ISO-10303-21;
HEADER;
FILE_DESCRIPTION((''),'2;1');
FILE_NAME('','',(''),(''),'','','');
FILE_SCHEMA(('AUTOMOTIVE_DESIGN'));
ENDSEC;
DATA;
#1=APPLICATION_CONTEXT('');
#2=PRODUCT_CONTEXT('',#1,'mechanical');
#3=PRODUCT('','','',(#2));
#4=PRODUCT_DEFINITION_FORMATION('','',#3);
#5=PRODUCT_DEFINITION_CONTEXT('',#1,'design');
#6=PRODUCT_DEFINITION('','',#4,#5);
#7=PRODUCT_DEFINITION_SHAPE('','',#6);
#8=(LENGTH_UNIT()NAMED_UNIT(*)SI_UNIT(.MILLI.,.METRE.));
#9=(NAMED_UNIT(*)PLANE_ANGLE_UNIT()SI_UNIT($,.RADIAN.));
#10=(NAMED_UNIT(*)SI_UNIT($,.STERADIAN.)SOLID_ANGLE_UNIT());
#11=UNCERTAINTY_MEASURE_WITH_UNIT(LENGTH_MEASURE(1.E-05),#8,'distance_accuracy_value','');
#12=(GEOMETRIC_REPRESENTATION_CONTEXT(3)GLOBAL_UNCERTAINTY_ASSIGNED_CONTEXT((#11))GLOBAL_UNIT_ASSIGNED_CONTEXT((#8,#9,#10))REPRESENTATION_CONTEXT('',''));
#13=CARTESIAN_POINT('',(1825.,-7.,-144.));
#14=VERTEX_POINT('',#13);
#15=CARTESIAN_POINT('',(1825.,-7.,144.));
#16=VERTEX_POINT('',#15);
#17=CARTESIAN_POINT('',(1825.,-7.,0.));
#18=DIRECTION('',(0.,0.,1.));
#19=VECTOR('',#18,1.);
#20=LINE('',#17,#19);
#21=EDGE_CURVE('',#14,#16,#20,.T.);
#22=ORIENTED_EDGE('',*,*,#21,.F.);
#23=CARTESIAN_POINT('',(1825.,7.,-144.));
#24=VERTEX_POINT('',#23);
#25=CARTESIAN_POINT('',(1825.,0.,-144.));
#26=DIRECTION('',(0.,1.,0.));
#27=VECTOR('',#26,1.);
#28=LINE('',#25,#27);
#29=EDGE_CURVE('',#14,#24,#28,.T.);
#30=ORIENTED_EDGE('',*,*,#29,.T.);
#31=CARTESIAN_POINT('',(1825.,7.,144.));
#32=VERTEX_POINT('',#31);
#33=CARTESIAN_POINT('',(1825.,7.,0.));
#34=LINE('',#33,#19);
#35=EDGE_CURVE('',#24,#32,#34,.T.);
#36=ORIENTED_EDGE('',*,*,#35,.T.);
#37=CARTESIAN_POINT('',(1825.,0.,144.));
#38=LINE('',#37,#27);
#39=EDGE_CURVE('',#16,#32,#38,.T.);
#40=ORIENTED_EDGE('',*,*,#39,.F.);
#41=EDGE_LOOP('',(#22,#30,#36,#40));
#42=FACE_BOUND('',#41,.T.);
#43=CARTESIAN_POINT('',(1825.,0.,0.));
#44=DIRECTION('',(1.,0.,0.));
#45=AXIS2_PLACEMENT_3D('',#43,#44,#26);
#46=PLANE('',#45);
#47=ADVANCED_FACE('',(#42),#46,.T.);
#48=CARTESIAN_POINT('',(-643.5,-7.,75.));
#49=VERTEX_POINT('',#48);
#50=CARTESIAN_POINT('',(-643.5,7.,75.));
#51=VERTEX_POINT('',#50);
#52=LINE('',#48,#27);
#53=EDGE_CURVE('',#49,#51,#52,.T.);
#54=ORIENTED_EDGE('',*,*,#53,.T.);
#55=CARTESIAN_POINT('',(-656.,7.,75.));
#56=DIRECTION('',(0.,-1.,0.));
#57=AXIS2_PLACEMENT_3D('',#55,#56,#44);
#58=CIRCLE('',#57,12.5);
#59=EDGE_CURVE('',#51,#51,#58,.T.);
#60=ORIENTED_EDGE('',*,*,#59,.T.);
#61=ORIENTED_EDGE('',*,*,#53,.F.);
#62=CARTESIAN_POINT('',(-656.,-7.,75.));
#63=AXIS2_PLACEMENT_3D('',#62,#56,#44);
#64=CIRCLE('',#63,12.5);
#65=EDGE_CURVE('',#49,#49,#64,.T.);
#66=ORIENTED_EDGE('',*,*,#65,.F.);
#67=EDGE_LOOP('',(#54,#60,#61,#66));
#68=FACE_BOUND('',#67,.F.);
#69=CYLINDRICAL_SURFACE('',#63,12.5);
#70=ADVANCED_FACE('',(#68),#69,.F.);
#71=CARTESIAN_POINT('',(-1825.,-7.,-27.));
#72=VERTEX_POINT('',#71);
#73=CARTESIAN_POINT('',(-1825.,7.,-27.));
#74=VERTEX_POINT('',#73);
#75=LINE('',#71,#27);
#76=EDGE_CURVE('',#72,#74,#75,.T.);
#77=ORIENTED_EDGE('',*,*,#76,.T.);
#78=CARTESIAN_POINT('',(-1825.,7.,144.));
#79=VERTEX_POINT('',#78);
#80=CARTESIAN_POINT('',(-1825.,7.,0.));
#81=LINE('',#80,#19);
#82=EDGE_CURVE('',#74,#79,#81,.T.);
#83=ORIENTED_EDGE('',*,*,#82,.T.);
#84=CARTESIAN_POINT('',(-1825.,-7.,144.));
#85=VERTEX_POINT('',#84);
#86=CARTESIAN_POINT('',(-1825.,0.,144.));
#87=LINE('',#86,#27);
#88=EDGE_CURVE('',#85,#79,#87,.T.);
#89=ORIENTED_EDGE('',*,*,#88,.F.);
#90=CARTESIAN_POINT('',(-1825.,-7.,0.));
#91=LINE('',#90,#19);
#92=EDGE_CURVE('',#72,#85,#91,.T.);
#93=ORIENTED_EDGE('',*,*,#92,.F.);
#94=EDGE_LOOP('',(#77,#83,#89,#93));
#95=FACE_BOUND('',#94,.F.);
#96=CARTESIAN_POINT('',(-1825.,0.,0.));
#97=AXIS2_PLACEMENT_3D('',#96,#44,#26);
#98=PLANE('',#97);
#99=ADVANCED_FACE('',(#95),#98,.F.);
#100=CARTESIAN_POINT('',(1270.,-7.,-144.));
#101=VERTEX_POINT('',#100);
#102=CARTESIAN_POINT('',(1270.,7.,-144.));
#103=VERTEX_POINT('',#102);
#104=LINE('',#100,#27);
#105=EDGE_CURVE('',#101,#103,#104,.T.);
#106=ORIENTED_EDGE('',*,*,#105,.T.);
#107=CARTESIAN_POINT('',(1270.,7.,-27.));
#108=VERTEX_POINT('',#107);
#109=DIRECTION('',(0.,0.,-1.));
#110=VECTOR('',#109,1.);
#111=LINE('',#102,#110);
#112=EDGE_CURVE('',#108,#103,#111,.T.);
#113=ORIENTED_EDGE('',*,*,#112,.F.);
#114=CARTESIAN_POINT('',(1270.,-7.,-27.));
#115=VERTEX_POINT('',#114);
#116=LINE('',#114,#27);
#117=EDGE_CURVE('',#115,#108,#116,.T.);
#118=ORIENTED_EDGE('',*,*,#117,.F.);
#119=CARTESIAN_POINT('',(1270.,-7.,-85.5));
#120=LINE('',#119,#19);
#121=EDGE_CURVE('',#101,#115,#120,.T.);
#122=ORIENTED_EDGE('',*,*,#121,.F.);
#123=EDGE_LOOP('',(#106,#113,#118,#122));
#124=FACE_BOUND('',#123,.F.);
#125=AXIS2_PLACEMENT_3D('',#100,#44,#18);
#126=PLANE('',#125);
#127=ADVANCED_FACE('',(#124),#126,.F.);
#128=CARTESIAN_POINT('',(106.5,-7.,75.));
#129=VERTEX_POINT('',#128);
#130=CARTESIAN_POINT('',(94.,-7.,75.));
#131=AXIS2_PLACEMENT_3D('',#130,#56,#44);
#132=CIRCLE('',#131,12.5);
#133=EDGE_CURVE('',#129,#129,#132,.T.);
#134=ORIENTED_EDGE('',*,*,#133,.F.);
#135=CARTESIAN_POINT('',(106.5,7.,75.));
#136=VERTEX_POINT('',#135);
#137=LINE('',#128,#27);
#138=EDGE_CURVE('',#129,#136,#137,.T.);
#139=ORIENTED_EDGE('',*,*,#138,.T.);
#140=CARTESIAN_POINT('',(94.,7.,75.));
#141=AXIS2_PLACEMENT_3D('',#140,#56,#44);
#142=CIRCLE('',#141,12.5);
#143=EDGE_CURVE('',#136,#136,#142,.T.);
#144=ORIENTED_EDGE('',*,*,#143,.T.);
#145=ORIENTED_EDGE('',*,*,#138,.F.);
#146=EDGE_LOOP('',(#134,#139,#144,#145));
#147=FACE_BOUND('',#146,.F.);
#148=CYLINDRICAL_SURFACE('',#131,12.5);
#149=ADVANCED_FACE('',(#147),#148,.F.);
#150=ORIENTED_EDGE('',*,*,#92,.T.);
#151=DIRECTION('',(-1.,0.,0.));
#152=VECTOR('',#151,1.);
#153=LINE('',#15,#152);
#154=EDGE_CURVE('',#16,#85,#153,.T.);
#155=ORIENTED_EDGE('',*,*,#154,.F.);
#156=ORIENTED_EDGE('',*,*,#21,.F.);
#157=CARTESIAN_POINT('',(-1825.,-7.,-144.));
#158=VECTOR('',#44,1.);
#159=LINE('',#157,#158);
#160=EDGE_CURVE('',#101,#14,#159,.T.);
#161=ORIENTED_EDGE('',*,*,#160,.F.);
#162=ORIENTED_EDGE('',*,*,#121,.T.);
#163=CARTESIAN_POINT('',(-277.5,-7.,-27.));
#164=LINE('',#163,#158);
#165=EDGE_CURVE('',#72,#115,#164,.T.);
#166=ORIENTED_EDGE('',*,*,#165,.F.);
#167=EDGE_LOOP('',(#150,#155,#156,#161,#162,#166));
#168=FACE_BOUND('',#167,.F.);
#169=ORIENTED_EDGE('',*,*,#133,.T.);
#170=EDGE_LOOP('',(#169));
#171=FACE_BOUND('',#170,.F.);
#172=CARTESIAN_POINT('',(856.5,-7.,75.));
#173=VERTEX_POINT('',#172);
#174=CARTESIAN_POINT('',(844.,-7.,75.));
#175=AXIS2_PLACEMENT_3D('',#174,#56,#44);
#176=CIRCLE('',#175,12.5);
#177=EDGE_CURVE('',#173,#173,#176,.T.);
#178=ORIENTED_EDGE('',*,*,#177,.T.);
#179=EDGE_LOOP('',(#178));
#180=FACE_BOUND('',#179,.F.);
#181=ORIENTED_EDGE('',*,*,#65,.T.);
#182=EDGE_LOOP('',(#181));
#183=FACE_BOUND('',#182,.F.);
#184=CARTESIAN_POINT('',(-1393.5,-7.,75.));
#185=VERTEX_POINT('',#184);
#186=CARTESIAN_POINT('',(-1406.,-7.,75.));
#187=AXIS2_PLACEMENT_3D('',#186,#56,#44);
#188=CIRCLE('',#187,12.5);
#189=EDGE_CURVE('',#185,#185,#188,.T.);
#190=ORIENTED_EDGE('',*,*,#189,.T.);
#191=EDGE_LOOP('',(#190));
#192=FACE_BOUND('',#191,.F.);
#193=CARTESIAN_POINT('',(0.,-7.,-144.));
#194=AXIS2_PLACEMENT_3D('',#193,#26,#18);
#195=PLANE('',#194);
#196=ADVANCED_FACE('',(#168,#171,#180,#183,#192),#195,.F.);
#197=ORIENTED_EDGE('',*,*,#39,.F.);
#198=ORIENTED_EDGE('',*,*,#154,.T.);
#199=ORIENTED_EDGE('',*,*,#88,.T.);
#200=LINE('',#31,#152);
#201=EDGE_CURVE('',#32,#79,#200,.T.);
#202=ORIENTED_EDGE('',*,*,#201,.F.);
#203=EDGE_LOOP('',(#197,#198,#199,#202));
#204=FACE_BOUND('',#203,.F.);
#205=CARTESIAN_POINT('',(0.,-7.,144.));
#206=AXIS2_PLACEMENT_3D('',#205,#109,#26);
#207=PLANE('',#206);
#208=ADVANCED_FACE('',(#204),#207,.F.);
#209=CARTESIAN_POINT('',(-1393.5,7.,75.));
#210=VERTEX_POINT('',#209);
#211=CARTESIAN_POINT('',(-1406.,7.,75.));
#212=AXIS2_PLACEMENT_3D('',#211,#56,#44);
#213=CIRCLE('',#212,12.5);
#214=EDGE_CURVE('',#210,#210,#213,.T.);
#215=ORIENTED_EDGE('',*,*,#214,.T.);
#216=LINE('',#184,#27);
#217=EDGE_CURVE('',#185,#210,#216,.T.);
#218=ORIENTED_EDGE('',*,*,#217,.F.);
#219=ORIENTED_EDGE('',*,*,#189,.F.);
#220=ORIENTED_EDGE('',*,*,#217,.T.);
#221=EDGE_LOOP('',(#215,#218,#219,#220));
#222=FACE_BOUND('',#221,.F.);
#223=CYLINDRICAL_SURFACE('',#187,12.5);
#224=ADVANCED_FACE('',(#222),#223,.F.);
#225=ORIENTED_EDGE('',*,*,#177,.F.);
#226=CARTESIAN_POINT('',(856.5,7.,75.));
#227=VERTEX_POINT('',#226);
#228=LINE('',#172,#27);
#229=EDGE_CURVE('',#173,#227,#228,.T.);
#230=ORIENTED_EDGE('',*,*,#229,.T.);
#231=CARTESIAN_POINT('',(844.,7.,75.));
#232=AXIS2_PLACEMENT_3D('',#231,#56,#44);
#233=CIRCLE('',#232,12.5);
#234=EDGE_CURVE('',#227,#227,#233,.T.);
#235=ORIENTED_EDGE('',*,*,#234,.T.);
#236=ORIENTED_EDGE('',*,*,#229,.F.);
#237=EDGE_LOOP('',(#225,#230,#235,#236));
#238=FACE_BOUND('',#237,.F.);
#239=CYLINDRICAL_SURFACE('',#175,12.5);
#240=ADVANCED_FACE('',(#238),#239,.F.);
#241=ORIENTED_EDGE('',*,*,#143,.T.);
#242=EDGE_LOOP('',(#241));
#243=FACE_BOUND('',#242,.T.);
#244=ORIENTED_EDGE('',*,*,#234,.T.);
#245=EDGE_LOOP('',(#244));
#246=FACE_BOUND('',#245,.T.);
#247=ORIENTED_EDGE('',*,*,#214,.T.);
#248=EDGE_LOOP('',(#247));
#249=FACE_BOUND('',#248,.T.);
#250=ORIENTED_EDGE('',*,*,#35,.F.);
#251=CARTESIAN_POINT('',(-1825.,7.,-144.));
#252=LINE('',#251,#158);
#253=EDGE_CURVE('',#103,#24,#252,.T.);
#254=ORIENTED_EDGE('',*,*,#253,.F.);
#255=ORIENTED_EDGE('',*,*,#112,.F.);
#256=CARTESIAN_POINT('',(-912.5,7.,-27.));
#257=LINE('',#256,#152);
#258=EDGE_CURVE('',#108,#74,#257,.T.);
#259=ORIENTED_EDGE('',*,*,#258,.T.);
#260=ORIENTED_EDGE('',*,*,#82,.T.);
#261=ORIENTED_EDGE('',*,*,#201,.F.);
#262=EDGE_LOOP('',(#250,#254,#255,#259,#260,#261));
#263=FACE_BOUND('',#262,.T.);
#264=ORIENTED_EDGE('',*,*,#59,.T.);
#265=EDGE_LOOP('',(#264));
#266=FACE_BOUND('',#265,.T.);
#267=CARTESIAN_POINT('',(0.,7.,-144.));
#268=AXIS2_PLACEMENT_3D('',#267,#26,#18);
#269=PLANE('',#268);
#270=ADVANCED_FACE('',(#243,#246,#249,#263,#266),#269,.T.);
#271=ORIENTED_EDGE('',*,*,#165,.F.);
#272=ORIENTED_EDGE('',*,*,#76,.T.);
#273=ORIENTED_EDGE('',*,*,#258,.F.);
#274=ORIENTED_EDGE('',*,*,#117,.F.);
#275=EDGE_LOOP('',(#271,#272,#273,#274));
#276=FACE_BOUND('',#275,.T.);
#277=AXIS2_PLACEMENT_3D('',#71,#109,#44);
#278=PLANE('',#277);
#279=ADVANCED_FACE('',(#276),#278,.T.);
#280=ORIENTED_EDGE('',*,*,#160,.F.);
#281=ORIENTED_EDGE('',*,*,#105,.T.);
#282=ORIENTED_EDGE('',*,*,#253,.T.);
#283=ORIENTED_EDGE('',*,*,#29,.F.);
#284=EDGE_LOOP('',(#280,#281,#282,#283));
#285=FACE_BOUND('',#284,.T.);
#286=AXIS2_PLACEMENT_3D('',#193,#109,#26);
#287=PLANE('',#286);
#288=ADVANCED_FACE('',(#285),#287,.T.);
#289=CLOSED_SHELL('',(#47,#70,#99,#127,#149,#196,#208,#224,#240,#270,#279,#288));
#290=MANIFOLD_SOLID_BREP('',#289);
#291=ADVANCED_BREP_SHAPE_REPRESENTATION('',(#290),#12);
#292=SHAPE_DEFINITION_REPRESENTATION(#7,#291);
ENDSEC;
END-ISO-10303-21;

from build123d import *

# Parameters (mm, degrees)
F0_W     = 14
F0_H     = 288
F1_DEPTH = 1825
F2_W     = 3095
F2_H     = 117
F3_DEPTH = 25
F4_R     = 12.5
F5_DEPTH = 25


with BuildPart() as f1:
    # F0 (on Right) → F1 (new body, symmetric)
    with BuildSketch(Plane.YZ):
        Rectangle(F0_W, F0_H)
    extrude(amount=F1_DEPTH, both=True)

    # F2 (on face) → F3 (cut)
    with BuildSketch(Plane.XZ.offset(7)):
        with Locations((-277.5, -85.5)):
            Rectangle(F2_W, F2_H)
    extrude(amount=-F3_DEPTH, mode=Mode.SUBTRACT)

    # F4 (on face) → F5 (cut)
    with BuildSketch(Plane.XZ.offset(7)):
        with Locations((-1406, 75)):
            Circle(F4_R)
        with Locations((-656, 75)):
            Circle(F4_R)
        with Locations((94, 75)):
            Circle(F4_R)
        with Locations((844, 75)):
            Circle(F4_R)
    extrude(amount=-F5_DEPTH, mode=Mode.SUBTRACT)


solid = f1.part
